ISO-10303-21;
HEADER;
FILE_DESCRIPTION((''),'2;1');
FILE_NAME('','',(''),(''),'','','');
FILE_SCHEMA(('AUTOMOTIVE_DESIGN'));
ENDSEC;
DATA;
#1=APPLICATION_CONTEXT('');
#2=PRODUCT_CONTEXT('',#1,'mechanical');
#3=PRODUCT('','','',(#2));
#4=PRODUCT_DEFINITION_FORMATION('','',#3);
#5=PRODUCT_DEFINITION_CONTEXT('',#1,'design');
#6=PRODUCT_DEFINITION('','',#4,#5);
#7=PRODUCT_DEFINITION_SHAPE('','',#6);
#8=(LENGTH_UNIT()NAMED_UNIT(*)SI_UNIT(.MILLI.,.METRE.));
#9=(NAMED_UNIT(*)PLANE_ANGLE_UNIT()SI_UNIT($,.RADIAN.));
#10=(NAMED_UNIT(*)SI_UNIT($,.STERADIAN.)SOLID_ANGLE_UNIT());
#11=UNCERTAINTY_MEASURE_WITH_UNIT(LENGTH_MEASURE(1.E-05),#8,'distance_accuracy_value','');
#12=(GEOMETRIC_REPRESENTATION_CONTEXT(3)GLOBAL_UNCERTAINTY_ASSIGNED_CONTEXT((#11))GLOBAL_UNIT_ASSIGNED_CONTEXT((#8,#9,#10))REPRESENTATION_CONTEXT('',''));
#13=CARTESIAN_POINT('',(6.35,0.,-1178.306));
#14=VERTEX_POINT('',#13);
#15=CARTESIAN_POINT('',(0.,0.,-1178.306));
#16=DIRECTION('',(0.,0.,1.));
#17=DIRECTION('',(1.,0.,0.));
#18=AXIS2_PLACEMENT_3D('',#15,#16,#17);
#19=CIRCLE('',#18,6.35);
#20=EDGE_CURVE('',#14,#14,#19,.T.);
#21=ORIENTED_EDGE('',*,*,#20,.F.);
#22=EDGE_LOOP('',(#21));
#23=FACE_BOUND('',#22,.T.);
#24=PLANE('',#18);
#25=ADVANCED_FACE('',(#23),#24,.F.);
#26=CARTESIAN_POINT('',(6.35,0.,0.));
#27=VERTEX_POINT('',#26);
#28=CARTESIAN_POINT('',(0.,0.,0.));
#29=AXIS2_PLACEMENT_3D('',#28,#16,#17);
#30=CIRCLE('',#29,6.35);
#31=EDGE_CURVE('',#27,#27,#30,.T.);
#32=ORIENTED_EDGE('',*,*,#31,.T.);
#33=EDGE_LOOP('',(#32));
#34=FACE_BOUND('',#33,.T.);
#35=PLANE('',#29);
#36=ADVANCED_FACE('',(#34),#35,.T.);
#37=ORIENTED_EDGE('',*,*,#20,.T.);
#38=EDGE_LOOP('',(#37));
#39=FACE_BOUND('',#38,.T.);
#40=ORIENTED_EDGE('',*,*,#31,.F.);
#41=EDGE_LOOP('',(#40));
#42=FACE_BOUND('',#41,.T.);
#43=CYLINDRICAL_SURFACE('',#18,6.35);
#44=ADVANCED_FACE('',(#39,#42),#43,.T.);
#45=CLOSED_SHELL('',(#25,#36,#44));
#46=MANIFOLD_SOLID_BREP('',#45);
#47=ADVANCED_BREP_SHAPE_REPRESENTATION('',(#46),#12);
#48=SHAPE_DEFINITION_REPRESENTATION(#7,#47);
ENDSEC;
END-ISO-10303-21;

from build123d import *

# Parameters (mm, degrees)
SKETCH1_R           = 6.35
BOSS_EXTRUDE1_DEPTH = 1178.306


with BuildPart() as part:
    # Sketch1 → Boss-Extrude1 (new body)
    with BuildSketch(Plane.XY):
        Circle(SKETCH1_R)
    extrude(amount=-BOSS_EXTRUDE1_DEPTH)


solid = part.part
